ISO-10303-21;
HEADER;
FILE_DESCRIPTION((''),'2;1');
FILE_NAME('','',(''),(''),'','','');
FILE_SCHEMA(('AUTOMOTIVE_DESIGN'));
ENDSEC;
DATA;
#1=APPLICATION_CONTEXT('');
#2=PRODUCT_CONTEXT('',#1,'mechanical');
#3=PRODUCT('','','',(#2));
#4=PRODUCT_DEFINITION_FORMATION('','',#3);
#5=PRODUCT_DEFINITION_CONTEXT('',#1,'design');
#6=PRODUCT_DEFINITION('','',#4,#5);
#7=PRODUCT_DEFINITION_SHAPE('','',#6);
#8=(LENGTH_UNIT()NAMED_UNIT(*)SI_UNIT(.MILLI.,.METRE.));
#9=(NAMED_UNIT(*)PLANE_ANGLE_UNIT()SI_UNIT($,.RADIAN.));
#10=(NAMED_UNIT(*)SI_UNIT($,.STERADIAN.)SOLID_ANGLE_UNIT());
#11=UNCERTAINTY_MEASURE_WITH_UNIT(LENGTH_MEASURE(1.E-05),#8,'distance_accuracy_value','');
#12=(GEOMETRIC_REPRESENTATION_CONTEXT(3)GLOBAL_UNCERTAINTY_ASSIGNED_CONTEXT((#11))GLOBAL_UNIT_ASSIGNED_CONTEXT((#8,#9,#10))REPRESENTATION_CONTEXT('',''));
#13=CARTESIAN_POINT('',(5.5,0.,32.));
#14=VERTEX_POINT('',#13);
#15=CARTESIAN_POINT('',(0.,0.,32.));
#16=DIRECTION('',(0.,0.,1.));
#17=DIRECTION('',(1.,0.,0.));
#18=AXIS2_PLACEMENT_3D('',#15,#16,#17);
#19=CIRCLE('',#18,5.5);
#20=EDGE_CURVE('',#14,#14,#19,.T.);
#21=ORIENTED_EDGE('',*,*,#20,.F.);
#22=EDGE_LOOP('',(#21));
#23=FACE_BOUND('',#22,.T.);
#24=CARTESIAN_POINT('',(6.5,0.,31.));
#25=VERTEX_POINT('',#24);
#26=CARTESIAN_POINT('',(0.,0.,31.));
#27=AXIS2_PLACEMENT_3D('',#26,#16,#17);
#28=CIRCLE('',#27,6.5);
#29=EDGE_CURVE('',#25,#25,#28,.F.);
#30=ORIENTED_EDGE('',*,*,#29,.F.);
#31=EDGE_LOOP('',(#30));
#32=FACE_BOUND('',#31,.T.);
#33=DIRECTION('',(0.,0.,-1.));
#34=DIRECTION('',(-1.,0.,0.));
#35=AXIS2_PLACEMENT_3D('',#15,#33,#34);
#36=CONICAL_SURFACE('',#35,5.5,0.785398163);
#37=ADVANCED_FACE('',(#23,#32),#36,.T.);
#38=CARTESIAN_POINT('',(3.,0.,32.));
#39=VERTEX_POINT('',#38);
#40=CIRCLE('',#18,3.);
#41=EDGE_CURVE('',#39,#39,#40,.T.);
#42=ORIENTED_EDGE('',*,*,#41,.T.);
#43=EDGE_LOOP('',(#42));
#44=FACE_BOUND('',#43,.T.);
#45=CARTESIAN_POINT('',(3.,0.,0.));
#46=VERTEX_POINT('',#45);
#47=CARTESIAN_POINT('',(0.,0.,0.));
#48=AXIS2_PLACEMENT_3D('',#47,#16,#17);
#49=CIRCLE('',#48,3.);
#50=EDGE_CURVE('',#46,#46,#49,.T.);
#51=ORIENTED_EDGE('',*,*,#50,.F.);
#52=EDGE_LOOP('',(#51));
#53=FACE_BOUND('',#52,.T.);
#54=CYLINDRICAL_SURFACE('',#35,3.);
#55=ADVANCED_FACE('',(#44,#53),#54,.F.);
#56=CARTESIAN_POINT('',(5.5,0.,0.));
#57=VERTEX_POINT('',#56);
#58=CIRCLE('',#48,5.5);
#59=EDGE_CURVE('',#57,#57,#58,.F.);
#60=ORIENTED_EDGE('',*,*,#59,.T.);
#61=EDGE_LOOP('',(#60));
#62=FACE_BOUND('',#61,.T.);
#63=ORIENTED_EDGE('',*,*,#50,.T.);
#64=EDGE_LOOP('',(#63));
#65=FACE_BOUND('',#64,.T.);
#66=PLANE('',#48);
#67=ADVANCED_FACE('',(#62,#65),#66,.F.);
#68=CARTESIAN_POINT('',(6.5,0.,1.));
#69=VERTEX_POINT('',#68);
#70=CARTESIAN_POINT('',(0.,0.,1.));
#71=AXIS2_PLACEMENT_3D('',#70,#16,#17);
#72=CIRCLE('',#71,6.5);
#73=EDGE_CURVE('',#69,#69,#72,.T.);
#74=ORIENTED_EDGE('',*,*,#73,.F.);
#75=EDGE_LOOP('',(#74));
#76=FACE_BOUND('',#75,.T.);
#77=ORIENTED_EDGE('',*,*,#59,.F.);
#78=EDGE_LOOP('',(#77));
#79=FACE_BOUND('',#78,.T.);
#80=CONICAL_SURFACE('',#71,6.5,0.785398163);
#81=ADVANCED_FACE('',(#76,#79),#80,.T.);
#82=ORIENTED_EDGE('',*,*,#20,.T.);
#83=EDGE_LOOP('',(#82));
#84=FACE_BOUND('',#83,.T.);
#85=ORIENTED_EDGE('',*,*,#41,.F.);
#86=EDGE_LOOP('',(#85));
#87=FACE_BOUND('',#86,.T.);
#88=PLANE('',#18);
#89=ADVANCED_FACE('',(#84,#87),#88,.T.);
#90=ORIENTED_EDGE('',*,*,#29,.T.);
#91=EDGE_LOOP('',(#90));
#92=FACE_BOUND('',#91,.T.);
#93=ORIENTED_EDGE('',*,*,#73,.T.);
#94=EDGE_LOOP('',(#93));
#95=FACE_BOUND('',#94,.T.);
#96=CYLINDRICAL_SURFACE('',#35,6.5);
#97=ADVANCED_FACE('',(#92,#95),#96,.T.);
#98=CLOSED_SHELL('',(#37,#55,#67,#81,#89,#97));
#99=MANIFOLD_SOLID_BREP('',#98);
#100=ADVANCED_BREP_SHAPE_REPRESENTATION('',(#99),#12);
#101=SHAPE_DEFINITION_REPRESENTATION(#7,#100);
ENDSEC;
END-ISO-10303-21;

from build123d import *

# Parameters (mm, degrees)
SKETCH1_R           = 6.5
SKETCH1_R_2         = 3
BOSS_EXTRUDE1_DEPTH = 32
CHAMFER1_SIZE       = 1


with BuildPart() as part:
    # Sketch1 → Boss-Extrude1 (new body)
    with BuildSketch(Plane(origin=(0, 0, 0), x_dir=(0, 1, 0), z_dir=(0, 0, 1))):
        Circle(SKETCH1_R)
        Circle(SKETCH1_R_2, mode=Mode.SUBTRACT)
    extrude(amount=BOSS_EXTRUDE1_DEPTH)

    # Chamfer1
    chamfer1_edges = [part.edges().sort_by_distance(p)[0] for p in [
        (0, -6.5, 0),
        (0, -6.5, 32),
    ]]
    chamfer(chamfer1_edges, length=CHAMFER1_SIZE)


solid = part.part
